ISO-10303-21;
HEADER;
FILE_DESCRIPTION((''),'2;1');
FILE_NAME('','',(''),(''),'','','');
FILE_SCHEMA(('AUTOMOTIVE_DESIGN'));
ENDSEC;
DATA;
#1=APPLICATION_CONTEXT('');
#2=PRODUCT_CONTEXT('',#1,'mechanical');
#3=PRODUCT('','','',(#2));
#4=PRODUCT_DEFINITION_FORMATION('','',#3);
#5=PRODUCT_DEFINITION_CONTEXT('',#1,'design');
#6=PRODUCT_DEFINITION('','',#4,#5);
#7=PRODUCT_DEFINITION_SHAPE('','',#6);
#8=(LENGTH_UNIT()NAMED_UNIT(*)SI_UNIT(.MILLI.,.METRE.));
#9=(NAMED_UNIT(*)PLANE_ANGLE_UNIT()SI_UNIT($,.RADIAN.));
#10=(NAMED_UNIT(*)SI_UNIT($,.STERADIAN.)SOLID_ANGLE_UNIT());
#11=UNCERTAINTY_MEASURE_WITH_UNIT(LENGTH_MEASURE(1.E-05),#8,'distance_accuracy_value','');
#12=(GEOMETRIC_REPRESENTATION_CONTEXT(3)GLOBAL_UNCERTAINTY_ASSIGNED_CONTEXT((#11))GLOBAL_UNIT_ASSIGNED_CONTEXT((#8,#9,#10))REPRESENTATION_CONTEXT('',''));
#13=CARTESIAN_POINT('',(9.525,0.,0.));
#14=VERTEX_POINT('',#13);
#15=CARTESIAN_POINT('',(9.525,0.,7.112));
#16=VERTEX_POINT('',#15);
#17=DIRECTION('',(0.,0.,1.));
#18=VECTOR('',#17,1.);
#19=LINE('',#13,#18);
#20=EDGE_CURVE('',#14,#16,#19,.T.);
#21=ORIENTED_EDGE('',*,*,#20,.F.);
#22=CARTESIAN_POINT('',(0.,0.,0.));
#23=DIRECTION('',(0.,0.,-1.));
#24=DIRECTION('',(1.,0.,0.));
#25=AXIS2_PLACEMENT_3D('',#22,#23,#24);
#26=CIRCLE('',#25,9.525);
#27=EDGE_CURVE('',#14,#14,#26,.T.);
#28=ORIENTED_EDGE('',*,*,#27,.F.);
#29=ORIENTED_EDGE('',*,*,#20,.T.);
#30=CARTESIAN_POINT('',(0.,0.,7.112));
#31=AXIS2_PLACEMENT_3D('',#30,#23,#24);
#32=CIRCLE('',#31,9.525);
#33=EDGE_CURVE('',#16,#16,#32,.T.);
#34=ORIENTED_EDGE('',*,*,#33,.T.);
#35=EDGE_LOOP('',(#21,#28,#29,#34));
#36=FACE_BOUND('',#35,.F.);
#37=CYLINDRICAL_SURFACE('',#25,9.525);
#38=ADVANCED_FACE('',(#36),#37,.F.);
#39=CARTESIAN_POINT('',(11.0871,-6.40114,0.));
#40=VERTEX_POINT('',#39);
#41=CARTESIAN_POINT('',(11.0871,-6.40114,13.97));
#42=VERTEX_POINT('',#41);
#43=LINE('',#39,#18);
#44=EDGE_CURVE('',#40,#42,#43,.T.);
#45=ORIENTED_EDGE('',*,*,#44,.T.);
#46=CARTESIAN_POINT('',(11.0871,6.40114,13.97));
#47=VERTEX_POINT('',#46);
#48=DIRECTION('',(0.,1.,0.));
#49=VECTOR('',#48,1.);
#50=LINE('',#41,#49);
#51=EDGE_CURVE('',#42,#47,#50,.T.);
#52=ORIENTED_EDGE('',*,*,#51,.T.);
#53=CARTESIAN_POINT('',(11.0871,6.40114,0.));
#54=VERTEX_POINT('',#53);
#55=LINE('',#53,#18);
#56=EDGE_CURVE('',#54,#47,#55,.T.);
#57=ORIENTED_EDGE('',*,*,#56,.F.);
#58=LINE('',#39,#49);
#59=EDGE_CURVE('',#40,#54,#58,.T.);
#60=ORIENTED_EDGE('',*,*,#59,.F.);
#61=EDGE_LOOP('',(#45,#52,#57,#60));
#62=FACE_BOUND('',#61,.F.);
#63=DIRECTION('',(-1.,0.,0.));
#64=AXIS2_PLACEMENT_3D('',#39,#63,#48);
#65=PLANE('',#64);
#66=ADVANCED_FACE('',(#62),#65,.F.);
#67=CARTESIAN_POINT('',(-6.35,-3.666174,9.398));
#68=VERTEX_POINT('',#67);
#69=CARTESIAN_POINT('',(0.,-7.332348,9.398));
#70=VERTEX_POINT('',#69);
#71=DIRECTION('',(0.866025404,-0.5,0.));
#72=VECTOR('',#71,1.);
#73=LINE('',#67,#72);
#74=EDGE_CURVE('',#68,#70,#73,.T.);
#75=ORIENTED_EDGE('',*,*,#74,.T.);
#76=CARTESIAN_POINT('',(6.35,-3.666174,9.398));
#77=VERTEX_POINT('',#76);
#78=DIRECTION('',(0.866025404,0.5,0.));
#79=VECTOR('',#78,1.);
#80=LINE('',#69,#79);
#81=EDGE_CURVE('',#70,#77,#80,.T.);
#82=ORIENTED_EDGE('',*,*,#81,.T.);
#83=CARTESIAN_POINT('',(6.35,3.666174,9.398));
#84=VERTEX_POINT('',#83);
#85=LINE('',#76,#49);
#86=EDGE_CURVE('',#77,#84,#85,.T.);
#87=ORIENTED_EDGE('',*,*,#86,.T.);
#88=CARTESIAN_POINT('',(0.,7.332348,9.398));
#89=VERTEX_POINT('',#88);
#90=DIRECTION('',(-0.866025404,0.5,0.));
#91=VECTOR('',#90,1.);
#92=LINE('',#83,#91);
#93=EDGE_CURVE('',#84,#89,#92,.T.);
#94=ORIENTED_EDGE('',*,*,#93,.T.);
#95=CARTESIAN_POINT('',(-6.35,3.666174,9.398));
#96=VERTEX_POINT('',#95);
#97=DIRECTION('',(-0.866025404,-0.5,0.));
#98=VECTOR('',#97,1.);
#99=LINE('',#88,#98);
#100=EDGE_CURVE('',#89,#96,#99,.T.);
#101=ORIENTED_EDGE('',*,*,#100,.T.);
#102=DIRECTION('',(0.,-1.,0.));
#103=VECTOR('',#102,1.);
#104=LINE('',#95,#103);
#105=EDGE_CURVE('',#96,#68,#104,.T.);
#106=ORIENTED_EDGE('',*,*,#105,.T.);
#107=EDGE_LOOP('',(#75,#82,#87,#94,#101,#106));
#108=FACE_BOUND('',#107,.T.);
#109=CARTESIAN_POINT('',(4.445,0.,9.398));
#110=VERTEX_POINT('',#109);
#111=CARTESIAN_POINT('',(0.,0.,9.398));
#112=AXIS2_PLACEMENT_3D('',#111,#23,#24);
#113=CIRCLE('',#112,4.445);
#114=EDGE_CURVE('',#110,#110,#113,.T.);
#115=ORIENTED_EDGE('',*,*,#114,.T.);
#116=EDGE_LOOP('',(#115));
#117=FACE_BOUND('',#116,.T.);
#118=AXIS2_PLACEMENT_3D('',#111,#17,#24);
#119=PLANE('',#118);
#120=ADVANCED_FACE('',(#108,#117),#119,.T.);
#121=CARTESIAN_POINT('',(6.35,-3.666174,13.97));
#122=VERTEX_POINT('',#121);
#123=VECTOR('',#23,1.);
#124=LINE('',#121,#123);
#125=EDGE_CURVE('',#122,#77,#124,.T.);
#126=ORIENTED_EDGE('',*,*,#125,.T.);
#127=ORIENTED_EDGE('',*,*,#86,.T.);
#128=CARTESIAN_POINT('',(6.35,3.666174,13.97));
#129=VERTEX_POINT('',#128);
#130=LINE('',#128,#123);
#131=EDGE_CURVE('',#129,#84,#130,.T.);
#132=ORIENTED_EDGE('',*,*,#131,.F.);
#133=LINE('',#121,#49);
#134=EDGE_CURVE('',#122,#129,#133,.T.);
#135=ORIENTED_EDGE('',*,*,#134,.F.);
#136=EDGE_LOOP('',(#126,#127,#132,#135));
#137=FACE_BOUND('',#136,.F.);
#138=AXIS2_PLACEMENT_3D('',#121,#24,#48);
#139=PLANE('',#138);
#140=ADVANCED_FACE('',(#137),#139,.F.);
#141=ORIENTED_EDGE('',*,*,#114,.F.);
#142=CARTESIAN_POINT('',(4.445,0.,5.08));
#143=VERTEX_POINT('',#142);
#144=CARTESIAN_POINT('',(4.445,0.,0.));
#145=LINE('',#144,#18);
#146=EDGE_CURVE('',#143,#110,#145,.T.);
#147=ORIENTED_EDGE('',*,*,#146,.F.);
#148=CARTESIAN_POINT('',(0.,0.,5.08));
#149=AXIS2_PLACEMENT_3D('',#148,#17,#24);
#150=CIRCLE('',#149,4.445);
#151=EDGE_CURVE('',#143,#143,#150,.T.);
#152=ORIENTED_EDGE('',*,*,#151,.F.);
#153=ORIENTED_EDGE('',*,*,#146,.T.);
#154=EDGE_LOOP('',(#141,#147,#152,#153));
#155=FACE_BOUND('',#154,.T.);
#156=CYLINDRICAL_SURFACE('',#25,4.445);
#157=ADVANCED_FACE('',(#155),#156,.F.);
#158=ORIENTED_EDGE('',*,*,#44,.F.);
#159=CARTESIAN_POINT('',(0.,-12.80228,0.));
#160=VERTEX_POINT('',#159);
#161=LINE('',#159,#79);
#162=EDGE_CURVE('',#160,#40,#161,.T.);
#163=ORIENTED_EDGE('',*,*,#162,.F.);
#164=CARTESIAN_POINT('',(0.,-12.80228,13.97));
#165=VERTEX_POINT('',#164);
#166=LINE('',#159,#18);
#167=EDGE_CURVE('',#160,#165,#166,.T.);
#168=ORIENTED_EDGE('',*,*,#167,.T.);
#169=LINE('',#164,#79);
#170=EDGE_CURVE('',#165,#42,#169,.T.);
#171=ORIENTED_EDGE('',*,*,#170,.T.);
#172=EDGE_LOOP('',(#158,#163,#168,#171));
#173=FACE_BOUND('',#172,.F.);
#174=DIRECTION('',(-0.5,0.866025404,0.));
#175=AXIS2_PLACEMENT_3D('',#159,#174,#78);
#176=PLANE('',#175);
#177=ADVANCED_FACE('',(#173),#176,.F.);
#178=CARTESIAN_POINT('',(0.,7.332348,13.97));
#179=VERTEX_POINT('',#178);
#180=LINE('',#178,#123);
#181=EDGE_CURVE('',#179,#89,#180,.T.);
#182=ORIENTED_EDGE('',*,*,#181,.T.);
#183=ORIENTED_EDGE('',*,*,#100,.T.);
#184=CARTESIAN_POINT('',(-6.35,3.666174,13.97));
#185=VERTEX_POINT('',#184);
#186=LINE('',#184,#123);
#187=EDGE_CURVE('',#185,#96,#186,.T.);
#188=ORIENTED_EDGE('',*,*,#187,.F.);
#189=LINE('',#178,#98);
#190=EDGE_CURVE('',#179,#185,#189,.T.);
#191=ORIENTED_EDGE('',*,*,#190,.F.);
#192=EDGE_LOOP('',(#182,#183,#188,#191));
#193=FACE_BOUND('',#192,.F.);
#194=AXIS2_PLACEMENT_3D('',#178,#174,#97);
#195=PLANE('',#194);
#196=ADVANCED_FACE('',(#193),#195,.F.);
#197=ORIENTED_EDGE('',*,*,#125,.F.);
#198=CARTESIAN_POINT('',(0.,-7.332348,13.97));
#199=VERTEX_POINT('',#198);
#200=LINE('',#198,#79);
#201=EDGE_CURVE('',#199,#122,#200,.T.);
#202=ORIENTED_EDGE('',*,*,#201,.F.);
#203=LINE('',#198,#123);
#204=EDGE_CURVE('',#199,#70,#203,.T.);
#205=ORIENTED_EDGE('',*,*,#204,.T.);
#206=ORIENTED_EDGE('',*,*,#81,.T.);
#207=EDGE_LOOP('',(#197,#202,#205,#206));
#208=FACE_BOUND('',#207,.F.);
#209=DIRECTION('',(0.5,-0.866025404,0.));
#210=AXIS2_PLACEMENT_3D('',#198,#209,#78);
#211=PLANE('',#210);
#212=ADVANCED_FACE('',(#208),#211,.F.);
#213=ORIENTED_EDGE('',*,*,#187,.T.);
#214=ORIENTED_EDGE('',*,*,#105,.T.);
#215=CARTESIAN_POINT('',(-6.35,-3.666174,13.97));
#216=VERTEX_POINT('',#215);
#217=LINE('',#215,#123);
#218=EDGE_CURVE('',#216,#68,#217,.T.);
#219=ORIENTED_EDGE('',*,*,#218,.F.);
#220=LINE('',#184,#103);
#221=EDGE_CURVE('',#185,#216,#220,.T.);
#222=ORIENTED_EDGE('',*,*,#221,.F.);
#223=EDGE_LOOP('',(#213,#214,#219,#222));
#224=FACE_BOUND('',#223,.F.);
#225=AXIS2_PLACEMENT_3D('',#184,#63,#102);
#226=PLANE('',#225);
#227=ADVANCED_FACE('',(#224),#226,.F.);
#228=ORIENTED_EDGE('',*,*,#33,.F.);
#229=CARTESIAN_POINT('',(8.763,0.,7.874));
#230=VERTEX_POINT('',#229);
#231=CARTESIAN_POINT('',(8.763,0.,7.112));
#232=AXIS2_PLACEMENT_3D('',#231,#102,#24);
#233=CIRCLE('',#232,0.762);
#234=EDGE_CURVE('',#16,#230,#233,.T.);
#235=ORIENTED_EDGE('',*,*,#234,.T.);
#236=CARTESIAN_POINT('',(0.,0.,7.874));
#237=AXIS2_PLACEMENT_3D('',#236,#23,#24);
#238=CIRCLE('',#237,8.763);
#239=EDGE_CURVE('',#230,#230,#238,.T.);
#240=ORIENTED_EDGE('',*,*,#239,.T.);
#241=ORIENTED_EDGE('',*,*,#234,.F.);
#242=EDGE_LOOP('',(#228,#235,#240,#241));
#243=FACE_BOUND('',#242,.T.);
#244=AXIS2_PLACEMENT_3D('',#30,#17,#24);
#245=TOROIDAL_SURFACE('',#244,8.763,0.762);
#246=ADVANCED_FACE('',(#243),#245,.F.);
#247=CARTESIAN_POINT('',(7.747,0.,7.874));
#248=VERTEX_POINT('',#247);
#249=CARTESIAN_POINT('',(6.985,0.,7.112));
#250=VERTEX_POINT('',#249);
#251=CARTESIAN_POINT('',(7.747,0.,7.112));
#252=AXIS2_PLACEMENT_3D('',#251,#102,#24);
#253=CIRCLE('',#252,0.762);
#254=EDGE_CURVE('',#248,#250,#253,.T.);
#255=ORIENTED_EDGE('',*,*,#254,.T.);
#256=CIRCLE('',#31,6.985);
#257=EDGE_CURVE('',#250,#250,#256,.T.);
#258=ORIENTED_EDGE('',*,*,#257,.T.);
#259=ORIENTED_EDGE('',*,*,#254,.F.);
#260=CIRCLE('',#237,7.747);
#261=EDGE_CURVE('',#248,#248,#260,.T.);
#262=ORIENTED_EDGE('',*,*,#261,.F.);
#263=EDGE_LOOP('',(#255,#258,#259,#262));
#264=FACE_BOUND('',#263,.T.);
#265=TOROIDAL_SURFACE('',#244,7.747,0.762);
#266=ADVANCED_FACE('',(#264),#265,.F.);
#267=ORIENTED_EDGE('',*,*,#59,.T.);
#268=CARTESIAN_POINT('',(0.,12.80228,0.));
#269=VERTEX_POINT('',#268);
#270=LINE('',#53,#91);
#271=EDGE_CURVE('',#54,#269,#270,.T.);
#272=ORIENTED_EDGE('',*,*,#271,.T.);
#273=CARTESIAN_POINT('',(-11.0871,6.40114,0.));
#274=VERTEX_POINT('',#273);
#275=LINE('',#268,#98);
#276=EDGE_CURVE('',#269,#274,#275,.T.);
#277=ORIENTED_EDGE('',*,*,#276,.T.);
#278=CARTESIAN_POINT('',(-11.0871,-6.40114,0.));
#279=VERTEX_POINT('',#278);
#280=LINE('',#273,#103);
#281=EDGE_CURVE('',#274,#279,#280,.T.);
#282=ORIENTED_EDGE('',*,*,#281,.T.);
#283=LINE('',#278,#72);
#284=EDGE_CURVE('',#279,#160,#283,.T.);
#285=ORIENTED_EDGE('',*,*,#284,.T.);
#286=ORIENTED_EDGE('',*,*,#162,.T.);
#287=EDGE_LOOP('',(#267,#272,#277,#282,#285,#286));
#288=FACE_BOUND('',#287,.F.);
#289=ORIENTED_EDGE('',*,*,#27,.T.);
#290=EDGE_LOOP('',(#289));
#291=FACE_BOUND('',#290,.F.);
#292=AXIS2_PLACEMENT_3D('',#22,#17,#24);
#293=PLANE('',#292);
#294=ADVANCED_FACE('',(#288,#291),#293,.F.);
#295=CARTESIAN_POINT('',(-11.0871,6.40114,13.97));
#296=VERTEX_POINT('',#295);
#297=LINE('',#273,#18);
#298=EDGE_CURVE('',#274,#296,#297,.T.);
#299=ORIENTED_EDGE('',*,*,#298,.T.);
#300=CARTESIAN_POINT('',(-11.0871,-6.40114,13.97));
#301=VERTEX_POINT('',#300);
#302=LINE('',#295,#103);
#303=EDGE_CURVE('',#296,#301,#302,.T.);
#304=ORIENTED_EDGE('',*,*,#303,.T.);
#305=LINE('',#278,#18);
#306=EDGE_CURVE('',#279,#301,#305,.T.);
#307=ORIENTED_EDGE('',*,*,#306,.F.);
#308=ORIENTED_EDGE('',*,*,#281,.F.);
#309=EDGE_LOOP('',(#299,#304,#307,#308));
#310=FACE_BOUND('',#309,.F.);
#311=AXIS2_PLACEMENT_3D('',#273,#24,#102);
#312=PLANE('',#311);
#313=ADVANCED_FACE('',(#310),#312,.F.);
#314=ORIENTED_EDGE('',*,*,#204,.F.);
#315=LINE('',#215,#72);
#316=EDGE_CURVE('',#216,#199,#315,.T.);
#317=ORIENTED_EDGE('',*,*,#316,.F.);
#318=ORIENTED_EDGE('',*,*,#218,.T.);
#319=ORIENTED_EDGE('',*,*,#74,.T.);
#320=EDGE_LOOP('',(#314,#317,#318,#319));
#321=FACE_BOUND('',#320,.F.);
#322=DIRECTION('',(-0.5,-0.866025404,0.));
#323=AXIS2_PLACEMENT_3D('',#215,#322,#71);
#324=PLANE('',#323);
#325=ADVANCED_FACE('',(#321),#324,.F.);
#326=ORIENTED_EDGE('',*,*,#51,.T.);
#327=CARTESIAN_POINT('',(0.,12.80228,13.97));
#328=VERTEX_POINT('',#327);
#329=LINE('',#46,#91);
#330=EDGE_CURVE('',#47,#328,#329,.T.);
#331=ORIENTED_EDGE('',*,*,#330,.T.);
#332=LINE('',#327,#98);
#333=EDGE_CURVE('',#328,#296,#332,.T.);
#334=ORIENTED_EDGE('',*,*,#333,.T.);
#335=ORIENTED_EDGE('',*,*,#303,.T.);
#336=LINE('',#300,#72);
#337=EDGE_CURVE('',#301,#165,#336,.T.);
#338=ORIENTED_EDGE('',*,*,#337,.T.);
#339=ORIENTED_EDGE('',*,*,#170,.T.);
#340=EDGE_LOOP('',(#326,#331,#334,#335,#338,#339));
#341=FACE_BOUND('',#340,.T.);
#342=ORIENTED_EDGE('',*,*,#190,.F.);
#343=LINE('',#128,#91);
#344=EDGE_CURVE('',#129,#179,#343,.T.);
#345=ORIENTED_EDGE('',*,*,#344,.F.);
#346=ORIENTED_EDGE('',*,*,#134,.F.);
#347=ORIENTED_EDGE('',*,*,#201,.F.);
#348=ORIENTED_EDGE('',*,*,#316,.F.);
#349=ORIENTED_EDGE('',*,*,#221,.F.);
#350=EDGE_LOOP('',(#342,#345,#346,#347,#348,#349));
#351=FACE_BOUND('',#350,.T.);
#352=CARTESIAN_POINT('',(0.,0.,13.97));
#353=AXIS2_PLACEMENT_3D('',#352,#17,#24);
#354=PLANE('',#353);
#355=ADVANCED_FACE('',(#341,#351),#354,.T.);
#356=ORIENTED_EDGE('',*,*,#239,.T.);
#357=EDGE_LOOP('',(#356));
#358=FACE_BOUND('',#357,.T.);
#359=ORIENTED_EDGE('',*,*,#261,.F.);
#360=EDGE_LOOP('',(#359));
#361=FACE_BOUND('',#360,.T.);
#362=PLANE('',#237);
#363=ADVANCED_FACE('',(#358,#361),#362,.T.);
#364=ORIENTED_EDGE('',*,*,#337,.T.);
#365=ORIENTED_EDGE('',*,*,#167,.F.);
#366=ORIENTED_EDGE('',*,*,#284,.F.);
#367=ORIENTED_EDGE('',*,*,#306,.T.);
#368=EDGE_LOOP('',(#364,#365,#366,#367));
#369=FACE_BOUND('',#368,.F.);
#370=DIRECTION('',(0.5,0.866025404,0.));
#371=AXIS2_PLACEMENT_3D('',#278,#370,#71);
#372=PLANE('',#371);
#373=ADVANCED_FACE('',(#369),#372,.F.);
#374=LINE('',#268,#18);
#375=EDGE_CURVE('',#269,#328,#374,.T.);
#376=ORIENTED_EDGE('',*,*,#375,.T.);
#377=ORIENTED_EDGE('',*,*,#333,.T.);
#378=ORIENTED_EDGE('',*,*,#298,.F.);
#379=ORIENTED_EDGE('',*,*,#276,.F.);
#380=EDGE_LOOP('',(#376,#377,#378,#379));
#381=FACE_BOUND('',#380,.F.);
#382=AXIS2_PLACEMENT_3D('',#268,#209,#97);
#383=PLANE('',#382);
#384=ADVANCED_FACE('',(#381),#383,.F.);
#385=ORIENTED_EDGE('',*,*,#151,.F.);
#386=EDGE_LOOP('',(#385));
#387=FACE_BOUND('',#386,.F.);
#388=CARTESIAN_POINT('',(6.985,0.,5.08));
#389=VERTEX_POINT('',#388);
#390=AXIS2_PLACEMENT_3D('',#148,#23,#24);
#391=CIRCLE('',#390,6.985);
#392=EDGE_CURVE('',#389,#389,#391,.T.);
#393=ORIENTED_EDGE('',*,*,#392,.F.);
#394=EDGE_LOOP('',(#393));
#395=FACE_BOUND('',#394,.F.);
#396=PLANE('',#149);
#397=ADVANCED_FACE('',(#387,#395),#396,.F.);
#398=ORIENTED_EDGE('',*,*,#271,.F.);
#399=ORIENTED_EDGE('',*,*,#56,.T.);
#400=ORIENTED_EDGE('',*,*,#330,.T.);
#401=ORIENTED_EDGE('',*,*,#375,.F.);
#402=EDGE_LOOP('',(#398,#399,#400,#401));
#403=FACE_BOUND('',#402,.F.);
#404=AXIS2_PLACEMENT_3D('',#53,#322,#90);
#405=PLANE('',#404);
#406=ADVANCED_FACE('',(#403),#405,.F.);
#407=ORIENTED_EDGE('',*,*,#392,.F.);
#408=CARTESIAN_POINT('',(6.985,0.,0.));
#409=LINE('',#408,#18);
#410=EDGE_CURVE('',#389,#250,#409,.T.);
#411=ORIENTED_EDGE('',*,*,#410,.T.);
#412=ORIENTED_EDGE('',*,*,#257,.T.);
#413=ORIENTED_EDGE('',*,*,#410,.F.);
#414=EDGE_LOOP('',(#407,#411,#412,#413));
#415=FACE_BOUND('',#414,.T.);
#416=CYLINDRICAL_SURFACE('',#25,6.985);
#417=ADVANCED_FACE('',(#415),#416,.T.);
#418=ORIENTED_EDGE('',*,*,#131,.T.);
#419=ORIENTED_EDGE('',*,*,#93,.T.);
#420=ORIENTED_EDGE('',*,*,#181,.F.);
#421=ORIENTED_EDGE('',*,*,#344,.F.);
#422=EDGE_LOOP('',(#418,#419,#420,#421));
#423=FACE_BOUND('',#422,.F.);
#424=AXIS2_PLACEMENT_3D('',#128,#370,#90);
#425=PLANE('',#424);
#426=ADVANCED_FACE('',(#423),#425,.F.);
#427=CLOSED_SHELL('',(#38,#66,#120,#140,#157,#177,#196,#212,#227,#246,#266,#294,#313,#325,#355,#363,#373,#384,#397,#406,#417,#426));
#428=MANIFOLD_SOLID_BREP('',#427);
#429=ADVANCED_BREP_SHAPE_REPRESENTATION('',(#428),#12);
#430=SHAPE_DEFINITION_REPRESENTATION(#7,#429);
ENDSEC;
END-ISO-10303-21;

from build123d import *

# Parameters (mm, degrees)
F0_R     = 4.445
F1_DEPTH = 13.97
F2_R     = 9.525
F2_R_2   = 6.985
F3_DEPTH = 7.874
F5_DEPTH = 4.572
F6_R     = 0.762
F7_DEPTH = 5.08


with BuildPart() as f1:
    # F0 (on Top) → F1 (new body)
    with BuildSketch(Plane.XY):
        Polygon((11.0871, -6.4011401695), (11.0871, 6.4011401695), (0, 12.8022803391), (-11.0871, 6.4011401695), (-11.0871, -6.4011401695), (0, -12.8022803391), align=None)
        Circle(F0_R, mode=Mode.SUBTRACT)
    extrude(amount=F1_DEPTH)

    # F2 (on face) → F3 (cut)
    with BuildSketch(Plane(origin=(0, 0, 0), x_dir=(1, 0, 0), z_dir=(0, 0, -1))):
        Circle(F2_R)
        Circle(F2_R_2, mode=Mode.SUBTRACT)
    extrude(amount=-F3_DEPTH, mode=Mode.SUBTRACT)

    # F4 (on face) → F5 (cut)
    with BuildSketch(Plane.XY.offset(13.97)):
        Polygon((-6.35, 3.6661742094), (-6.35, -3.6661742094), (0, -7.3323484187), (6.35, -3.6661742094), (6.35, 3.6661742094), (0, 7.3323484187), align=None)
    extrude(amount=-F5_DEPTH, mode=Mode.SUBTRACT)

    # F6
    f6_edges = [f1.edges().sort_by_distance(p)[0] for p in [
        (-9.525, 0, 7.874),
        (-6.985, 0, 7.874),
    ]]
    fillet(f6_edges, radius=F6_R)

    # F7 (cut): a face of the model
    f7_faces = [f1.faces().sort_by_distance(p)[0] for p in [
        (-6.7874343653, 0, 0),
    ]]
    extrude(f7_faces, amount=-F7_DEPTH, mode=Mode.SUBTRACT)


solid = f1.part
